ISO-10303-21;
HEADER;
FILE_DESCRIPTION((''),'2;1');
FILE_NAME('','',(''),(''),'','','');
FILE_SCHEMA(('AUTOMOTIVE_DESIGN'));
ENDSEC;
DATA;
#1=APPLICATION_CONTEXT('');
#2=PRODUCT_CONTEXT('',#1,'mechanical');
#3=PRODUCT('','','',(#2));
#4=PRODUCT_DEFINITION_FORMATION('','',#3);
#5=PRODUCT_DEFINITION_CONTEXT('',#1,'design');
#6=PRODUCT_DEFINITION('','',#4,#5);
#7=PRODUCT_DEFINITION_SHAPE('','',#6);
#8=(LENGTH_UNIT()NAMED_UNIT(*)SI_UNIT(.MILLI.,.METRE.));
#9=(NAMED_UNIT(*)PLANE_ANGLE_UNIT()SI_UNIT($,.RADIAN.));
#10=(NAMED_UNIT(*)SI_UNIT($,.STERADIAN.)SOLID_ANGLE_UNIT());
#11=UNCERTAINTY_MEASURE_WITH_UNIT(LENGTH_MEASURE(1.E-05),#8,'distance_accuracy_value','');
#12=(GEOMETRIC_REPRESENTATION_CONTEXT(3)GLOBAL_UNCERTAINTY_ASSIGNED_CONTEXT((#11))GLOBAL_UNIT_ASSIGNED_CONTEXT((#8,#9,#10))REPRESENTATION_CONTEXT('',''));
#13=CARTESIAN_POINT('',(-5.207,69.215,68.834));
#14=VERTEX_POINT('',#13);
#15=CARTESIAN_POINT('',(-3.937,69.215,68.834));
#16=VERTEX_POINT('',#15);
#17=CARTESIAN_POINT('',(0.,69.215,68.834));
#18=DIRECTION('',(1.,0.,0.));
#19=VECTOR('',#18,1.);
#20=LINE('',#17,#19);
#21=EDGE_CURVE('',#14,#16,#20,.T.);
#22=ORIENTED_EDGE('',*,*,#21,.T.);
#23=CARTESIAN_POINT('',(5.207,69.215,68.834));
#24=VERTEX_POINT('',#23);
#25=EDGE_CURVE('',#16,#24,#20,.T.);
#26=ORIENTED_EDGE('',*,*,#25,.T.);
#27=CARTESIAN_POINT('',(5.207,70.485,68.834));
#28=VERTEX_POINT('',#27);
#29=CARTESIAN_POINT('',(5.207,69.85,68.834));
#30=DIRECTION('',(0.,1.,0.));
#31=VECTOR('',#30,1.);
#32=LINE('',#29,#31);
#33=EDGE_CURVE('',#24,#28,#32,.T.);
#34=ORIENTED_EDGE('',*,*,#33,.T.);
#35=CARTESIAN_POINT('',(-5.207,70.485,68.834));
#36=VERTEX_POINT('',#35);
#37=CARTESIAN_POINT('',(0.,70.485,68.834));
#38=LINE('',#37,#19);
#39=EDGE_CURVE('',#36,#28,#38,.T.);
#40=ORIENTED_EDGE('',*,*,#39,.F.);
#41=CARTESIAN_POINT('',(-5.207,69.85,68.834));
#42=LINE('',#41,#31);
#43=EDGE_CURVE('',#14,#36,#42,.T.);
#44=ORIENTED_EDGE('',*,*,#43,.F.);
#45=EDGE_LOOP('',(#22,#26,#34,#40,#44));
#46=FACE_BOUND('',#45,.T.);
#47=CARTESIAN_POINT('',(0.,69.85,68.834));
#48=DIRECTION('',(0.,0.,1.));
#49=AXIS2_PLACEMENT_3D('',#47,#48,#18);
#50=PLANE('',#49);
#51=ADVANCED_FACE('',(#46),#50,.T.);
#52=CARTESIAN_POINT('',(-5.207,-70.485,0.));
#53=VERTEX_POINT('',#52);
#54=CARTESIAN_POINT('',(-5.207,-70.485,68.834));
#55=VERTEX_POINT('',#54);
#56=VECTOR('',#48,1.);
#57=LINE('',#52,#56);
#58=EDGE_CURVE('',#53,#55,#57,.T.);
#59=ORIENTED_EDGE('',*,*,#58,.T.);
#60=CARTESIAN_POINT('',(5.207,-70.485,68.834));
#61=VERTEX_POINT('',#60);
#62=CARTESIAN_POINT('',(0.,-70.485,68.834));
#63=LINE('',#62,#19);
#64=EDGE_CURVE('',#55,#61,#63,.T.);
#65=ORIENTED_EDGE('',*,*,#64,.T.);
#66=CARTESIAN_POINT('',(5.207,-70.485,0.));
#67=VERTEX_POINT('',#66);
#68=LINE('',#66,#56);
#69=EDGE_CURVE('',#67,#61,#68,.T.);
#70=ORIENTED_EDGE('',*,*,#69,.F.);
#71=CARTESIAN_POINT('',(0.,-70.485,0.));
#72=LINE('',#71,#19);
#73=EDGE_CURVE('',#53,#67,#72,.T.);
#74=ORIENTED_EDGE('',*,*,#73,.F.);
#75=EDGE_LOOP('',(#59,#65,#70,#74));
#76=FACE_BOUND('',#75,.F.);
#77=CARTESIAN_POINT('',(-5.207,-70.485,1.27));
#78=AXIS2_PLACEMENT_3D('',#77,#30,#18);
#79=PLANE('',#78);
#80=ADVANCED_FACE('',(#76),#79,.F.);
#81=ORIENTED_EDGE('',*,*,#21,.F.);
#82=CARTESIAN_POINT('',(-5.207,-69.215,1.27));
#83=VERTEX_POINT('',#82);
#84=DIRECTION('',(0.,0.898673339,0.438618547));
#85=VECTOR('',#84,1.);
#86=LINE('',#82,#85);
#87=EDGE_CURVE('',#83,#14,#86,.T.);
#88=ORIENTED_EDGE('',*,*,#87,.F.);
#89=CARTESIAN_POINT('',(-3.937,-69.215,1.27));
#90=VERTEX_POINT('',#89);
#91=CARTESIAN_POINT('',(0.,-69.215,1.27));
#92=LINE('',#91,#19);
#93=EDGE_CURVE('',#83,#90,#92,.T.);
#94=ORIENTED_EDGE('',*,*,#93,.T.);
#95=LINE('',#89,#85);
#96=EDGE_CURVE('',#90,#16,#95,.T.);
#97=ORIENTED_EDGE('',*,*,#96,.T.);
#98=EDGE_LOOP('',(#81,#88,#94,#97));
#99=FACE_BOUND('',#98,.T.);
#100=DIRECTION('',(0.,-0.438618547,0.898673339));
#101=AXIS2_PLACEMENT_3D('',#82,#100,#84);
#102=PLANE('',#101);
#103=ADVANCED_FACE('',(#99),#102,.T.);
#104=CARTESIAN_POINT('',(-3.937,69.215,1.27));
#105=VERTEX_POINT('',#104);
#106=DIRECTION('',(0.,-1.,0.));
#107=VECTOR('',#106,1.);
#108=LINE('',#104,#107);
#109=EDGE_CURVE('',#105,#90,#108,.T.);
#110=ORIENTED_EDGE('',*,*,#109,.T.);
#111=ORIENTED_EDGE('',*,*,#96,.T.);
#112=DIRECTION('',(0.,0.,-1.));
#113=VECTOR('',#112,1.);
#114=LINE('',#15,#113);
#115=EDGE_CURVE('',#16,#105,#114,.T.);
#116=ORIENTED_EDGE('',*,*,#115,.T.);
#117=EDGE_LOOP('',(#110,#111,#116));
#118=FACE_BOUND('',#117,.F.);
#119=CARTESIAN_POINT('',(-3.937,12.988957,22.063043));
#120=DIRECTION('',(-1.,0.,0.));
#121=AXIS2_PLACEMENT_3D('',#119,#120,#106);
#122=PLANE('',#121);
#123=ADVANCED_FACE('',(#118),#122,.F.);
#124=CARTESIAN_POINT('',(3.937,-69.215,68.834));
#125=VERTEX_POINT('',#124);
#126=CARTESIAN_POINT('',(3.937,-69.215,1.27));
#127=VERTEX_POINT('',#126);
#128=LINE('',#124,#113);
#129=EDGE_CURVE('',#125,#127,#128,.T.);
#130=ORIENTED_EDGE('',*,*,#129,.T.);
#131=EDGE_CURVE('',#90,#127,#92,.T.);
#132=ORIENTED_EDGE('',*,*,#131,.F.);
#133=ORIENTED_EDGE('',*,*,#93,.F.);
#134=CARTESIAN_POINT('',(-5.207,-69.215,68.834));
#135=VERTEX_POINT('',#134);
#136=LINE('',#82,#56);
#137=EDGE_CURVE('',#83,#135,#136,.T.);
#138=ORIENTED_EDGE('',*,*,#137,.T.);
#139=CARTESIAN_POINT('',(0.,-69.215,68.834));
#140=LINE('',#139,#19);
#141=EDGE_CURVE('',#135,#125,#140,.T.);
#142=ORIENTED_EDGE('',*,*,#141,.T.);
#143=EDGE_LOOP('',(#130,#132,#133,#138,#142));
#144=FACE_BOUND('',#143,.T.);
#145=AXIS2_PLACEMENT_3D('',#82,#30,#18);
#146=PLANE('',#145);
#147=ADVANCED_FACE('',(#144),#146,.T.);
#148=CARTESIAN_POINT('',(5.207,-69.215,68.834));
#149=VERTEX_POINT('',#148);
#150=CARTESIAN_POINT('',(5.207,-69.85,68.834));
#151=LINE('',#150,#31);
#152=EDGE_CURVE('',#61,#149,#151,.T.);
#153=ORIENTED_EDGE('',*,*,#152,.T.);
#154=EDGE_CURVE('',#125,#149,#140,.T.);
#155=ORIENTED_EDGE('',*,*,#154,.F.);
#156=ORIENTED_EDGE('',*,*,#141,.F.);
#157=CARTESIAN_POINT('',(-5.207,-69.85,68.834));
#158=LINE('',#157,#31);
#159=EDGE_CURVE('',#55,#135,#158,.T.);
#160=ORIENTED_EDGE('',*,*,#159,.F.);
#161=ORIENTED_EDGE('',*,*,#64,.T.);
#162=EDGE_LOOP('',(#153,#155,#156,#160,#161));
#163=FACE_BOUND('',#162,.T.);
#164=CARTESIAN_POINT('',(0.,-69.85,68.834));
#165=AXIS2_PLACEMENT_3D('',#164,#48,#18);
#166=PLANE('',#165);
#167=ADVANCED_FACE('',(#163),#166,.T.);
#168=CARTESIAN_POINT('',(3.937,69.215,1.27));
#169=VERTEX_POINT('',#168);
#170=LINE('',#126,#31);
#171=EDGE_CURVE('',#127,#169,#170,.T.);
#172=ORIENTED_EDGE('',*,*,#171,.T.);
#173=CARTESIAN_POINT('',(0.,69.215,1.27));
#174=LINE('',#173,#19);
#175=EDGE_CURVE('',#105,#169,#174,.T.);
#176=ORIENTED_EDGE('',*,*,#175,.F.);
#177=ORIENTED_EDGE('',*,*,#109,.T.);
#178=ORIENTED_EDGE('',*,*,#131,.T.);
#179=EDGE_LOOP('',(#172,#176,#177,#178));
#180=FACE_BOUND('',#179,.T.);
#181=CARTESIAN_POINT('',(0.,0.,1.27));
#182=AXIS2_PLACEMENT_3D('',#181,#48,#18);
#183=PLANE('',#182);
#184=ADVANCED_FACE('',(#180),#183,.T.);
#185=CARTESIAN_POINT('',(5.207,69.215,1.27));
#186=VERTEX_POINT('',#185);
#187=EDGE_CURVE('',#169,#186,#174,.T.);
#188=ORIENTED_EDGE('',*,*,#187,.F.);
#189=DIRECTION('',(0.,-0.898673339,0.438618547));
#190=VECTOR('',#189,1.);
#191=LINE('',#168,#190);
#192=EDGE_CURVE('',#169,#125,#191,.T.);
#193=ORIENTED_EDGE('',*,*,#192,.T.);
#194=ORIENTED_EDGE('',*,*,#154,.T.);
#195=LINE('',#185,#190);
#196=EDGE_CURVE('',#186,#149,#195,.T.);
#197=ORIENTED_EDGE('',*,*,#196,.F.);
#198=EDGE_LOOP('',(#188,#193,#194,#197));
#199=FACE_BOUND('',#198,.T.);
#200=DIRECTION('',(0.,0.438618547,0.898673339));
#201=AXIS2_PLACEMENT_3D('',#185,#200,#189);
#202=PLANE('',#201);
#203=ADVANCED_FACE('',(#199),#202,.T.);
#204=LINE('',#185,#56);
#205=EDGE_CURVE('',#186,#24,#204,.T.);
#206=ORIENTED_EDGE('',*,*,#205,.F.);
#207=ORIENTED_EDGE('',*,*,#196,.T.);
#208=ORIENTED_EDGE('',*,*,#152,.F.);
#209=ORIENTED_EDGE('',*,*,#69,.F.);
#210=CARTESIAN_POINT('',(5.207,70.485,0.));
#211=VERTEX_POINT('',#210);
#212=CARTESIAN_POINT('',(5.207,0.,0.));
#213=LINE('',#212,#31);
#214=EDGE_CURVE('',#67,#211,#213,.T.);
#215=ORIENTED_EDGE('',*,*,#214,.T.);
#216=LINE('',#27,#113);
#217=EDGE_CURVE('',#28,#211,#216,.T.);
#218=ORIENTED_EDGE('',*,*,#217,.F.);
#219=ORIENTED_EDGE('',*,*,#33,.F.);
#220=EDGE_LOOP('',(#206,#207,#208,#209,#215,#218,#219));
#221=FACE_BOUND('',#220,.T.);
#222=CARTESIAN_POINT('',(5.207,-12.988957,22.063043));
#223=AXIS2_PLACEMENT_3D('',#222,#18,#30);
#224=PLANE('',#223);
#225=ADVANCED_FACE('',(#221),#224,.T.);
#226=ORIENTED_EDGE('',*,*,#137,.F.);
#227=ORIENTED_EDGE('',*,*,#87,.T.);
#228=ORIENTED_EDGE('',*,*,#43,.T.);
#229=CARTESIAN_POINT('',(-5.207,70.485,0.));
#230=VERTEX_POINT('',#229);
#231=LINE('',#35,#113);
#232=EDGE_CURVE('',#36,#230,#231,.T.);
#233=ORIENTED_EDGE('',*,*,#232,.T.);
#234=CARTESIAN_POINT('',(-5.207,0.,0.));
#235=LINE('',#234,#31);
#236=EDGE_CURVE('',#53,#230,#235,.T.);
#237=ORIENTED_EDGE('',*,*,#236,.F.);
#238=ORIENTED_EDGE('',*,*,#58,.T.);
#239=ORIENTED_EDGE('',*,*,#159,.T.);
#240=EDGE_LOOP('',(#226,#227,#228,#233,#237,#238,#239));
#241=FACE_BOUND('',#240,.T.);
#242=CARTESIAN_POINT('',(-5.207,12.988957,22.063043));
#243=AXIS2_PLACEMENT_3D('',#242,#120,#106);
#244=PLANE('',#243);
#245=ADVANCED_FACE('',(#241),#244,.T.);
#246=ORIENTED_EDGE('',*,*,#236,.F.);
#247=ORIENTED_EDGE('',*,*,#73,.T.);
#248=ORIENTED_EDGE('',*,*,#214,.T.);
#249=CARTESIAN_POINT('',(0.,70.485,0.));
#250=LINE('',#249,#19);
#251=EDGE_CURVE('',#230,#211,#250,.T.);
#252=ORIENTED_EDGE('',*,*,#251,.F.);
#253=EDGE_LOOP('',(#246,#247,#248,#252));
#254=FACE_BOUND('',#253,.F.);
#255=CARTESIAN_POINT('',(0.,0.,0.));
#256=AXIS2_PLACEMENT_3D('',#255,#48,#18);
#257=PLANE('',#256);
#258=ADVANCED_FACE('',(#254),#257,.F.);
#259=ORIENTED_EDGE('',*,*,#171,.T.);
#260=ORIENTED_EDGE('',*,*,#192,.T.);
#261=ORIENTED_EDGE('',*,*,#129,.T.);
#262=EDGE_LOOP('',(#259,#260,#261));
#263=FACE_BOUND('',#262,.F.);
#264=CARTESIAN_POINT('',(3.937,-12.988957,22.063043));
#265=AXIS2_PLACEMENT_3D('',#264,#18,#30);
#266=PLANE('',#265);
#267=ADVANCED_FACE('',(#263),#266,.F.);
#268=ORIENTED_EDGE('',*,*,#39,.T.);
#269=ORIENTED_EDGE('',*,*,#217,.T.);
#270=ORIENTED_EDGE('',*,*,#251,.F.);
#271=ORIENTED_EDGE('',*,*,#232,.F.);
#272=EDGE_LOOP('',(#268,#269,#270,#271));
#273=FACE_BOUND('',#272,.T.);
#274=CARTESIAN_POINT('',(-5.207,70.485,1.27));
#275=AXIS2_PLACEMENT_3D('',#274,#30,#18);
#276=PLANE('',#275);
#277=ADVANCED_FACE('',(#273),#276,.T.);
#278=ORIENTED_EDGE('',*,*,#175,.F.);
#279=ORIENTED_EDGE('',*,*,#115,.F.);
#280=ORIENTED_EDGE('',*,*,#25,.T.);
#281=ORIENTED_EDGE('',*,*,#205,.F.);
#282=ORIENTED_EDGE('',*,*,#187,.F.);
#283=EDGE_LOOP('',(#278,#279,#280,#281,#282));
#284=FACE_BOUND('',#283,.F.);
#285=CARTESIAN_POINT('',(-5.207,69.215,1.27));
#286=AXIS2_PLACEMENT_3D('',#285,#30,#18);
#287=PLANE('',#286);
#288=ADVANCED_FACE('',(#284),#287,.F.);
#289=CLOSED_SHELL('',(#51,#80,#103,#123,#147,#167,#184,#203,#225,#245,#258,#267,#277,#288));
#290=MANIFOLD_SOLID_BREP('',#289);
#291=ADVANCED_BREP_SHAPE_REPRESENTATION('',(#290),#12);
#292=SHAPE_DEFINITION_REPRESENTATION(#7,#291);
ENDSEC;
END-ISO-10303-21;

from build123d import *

# Parameters (mm, degrees)
F0_W     = 10.414
F0_H     = 140.97
F1_DEPTH = 1.27
F2_W     = 10.414
F2_H     = 1.27
F3_DEPTH = 67.564
F4_DEPTH = 67.564
F6_DEPTH = 1.27
F8_DEPTH = 1.27


with BuildPart() as f1:
    # F0 (on Top) → F1 (new body)
    with BuildSketch(Plane.XY):
        Rectangle(F0_W, F0_H)
    extrude(amount=F1_DEPTH)

    # F2 (on face) → F3 (join)
    with BuildSketch(Plane.XY.offset(1.27)):
        with Locations((0, -69.85)):
            Rectangle(F2_W, F2_H)
    extrude(amount=F3_DEPTH)

    # F2 (on face) → F4 (join)
    with BuildSketch(Plane.XY.offset(1.27)):
        with Locations((0, 69.85)):
            Rectangle(F2_W, F2_H)
    extrude(amount=F4_DEPTH)

    # F5 (on face) → F6 (join)
    with BuildSketch(Plane.YZ.offset(5.207)):
        Polygon((69.215, 1.27), (-69.215, 68.834), (-69.215, 1.27), align=None)
    extrude(amount=-F6_DEPTH)

    # F7 (on face) → F8 (join)
    with BuildSketch(Plane(origin=(-5.207, 0, 0), x_dir=(0, -1, 0), z_dir=(-1, 0, 0))):
        Polygon((69.215, 1.27), (-69.215, 68.834), (-69.215, 1.27), align=None)
    extrude(amount=-F8_DEPTH)


solid = f1.part
